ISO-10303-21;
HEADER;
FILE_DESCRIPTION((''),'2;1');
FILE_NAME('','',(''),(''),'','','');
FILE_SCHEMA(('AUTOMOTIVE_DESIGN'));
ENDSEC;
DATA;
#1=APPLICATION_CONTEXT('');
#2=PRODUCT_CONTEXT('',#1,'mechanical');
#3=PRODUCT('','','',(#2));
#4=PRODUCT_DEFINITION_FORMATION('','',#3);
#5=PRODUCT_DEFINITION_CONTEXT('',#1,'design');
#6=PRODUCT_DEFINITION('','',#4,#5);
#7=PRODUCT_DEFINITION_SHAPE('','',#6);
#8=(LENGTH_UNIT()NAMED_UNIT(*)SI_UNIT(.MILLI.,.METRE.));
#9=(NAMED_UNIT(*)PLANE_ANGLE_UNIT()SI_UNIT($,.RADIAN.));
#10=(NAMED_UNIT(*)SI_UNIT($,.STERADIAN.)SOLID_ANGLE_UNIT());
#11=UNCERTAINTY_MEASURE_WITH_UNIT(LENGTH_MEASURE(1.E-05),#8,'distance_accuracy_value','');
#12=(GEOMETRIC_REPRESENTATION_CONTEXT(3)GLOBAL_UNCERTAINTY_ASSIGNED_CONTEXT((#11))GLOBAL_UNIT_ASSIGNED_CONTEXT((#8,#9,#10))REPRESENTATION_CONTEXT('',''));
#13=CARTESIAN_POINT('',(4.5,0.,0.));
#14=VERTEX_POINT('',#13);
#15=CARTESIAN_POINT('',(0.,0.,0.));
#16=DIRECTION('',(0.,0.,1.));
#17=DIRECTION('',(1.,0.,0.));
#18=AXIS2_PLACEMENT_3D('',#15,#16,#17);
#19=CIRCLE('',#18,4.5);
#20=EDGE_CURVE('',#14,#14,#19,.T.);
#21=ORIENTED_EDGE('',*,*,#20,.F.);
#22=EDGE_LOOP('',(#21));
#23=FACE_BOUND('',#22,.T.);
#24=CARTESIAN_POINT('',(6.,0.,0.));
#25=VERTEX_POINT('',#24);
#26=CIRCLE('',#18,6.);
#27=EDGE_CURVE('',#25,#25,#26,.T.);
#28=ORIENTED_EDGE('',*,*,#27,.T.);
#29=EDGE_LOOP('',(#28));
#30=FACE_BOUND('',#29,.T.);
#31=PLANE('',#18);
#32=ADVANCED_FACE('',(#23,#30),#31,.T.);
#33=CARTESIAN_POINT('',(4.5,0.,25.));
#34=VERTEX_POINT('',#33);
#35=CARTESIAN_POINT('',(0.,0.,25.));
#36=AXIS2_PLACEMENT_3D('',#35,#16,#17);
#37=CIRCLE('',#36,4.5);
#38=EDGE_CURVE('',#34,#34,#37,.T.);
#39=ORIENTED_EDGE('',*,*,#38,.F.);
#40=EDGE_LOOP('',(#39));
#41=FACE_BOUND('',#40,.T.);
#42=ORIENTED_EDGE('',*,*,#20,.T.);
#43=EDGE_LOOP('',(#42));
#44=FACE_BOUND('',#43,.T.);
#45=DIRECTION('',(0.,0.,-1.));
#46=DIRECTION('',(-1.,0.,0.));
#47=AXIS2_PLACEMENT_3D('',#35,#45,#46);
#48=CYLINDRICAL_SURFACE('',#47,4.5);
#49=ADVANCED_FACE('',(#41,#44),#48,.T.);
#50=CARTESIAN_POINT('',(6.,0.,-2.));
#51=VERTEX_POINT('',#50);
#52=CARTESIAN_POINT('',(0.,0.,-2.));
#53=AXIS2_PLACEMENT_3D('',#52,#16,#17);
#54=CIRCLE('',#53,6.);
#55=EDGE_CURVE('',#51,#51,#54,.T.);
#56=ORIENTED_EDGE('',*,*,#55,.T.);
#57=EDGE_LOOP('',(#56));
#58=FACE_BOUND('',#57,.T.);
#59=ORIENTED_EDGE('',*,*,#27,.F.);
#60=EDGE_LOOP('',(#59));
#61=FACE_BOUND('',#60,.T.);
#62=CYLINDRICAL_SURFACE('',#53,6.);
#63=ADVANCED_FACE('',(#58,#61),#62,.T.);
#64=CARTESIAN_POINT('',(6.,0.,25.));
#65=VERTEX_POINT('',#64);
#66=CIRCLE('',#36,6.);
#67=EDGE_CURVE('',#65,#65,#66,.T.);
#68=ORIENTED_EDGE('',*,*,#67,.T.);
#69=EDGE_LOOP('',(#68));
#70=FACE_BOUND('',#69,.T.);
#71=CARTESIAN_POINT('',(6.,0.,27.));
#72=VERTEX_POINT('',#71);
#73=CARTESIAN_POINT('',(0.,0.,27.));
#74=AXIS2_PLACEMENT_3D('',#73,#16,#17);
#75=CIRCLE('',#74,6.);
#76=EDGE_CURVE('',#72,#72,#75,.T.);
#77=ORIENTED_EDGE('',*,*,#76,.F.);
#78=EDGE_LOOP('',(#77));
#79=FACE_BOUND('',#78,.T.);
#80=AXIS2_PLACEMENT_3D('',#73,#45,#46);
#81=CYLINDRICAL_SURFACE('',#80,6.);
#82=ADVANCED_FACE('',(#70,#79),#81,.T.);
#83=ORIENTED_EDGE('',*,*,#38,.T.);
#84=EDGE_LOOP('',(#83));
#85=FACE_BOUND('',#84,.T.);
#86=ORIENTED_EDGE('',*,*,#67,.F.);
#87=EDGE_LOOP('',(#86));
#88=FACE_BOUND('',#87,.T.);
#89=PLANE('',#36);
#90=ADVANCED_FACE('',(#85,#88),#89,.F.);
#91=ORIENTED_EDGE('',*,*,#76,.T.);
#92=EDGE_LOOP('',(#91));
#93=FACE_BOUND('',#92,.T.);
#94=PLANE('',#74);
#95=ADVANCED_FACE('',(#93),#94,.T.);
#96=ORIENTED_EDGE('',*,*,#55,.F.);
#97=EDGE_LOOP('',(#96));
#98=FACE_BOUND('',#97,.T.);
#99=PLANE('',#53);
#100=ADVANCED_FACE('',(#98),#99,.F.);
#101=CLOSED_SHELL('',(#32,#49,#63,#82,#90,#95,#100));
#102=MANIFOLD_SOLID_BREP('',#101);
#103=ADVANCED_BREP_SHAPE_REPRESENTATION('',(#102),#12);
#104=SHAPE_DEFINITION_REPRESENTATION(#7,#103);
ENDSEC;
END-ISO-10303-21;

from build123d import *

# Parameters (mm, degrees)
SKETCH1_R           = 4.5
BOSS_EXTRUDE1_DEPTH = 25
SKETCH2_R           = 6
BOSS_EXTRUDE2_DEPTH = 2
SKETCH3_R           = 6
BOSS_EXTRUDE3_DEPTH = 2


with BuildPart() as part:
    # Sketch1 → Boss-Extrude1 (new body)
    with BuildSketch(Plane.XY):
        Circle(SKETCH1_R)
    extrude(amount=BOSS_EXTRUDE1_DEPTH)

    # Sketch2 → Boss-Extrude2 (add)
    with BuildSketch(Plane.XY):
        Circle(SKETCH2_R)
    extrude(amount=-BOSS_EXTRUDE2_DEPTH)

    # Sketch3 → Boss-Extrude3 (add)
    with BuildSketch(Plane.XY.offset(25)):
        Circle(SKETCH3_R)
    extrude(amount=BOSS_EXTRUDE3_DEPTH)


solid = part.part
